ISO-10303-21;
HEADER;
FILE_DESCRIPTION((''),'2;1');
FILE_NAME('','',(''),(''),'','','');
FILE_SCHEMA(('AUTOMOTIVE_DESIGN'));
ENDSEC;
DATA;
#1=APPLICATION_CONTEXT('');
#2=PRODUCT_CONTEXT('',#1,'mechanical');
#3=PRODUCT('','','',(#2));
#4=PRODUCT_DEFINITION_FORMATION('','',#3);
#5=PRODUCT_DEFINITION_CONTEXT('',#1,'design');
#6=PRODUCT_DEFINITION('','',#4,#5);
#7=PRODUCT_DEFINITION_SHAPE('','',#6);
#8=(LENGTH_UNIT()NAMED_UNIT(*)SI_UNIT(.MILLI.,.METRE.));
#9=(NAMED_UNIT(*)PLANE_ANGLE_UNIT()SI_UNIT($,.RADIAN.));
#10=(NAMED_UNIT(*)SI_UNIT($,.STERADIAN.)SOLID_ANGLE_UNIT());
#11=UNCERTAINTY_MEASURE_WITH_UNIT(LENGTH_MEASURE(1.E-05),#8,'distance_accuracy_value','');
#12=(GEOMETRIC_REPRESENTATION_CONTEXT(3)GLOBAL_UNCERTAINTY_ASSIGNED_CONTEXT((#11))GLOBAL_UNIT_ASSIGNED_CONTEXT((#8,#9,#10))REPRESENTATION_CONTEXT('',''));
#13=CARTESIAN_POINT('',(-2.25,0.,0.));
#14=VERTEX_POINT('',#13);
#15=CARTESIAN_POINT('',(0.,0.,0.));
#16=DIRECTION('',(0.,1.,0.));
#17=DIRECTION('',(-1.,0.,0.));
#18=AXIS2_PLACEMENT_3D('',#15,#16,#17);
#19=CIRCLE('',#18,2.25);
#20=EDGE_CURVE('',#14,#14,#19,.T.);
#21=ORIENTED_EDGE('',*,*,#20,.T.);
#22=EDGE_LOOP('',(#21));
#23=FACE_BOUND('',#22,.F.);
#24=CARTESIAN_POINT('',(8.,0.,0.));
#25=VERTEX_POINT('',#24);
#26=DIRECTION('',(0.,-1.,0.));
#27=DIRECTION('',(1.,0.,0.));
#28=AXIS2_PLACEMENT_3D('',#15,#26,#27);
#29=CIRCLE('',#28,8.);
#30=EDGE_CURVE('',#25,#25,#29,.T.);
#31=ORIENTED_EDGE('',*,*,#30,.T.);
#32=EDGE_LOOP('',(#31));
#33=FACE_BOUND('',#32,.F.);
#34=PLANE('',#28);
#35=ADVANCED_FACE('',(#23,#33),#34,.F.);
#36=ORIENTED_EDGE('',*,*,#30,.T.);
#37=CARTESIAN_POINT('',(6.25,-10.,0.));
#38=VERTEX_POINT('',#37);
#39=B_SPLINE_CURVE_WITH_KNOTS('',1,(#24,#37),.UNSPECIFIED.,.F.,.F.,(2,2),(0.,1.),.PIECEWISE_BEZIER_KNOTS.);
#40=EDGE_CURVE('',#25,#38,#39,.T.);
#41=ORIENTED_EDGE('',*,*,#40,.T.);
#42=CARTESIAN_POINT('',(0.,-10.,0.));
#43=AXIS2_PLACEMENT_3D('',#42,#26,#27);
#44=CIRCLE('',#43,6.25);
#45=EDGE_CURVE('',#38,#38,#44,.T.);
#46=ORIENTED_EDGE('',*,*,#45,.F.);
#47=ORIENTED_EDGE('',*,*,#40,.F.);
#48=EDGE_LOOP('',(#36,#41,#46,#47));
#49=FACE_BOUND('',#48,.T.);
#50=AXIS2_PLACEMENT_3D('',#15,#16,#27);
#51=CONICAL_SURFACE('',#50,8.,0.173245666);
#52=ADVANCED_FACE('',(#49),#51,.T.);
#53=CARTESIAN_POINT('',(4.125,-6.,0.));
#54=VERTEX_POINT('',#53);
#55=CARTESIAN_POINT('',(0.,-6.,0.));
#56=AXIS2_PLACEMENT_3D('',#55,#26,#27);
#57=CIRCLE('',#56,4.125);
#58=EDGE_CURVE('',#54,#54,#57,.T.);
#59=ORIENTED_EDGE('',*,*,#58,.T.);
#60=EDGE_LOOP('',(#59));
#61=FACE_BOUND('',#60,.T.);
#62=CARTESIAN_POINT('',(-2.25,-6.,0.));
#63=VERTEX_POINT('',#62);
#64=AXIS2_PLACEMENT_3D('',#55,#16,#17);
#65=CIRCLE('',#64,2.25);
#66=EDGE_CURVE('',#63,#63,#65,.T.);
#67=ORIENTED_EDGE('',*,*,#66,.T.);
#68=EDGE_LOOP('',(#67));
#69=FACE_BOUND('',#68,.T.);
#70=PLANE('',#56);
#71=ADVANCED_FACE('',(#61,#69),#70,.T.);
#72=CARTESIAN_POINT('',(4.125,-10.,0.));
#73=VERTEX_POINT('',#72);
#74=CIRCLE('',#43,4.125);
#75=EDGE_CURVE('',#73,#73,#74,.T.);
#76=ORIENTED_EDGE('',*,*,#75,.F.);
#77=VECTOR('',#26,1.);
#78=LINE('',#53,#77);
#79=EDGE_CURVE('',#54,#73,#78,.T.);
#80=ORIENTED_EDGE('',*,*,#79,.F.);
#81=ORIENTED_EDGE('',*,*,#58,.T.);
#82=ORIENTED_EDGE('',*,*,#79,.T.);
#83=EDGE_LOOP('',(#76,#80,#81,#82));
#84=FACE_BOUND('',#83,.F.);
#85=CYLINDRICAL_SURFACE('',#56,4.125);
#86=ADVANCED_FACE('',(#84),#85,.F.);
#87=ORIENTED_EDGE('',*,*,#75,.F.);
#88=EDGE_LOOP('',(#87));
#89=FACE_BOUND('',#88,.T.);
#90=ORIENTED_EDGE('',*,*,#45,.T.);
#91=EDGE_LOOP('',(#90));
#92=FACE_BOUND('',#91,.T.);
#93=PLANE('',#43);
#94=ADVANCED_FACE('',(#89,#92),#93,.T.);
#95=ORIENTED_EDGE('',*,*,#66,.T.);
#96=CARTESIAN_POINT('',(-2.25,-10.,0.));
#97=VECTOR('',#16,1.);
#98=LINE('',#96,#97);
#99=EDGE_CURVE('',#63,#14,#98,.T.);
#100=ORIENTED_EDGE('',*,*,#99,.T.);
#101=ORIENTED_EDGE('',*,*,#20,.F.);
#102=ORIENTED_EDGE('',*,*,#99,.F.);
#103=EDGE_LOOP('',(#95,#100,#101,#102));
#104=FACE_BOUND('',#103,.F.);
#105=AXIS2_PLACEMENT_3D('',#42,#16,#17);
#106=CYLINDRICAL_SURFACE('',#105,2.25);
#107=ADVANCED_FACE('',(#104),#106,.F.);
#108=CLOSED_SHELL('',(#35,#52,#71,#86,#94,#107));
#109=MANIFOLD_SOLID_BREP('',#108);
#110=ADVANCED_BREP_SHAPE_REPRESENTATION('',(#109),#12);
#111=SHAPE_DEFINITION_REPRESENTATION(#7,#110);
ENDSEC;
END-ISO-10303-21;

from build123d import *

# Parameters (mm, degrees)
F0_R           = 8
F2_R           = 6.25
F5_D           = 4.5
F5_CBORE_D     = 8.25
F5_CBORE_DEPTH = 4


with BuildPart() as f3:
    # F0 (on Front) → F3 section 0
    with BuildSketch(Plane.XZ):
        Circle(F0_R)
    # F2 (on offset) → F3 section 1
    with BuildSketch(Plane.XZ.offset(10)):
        Circle(F2_R)
    loft()

    # F5 (through all)
    with Locations(Plane.XZ.offset(10)):
        with Locations((0, 0)):
            CounterBoreHole(F5_D / 2, F5_CBORE_D / 2, F5_CBORE_DEPTH)


solid = f3.part
